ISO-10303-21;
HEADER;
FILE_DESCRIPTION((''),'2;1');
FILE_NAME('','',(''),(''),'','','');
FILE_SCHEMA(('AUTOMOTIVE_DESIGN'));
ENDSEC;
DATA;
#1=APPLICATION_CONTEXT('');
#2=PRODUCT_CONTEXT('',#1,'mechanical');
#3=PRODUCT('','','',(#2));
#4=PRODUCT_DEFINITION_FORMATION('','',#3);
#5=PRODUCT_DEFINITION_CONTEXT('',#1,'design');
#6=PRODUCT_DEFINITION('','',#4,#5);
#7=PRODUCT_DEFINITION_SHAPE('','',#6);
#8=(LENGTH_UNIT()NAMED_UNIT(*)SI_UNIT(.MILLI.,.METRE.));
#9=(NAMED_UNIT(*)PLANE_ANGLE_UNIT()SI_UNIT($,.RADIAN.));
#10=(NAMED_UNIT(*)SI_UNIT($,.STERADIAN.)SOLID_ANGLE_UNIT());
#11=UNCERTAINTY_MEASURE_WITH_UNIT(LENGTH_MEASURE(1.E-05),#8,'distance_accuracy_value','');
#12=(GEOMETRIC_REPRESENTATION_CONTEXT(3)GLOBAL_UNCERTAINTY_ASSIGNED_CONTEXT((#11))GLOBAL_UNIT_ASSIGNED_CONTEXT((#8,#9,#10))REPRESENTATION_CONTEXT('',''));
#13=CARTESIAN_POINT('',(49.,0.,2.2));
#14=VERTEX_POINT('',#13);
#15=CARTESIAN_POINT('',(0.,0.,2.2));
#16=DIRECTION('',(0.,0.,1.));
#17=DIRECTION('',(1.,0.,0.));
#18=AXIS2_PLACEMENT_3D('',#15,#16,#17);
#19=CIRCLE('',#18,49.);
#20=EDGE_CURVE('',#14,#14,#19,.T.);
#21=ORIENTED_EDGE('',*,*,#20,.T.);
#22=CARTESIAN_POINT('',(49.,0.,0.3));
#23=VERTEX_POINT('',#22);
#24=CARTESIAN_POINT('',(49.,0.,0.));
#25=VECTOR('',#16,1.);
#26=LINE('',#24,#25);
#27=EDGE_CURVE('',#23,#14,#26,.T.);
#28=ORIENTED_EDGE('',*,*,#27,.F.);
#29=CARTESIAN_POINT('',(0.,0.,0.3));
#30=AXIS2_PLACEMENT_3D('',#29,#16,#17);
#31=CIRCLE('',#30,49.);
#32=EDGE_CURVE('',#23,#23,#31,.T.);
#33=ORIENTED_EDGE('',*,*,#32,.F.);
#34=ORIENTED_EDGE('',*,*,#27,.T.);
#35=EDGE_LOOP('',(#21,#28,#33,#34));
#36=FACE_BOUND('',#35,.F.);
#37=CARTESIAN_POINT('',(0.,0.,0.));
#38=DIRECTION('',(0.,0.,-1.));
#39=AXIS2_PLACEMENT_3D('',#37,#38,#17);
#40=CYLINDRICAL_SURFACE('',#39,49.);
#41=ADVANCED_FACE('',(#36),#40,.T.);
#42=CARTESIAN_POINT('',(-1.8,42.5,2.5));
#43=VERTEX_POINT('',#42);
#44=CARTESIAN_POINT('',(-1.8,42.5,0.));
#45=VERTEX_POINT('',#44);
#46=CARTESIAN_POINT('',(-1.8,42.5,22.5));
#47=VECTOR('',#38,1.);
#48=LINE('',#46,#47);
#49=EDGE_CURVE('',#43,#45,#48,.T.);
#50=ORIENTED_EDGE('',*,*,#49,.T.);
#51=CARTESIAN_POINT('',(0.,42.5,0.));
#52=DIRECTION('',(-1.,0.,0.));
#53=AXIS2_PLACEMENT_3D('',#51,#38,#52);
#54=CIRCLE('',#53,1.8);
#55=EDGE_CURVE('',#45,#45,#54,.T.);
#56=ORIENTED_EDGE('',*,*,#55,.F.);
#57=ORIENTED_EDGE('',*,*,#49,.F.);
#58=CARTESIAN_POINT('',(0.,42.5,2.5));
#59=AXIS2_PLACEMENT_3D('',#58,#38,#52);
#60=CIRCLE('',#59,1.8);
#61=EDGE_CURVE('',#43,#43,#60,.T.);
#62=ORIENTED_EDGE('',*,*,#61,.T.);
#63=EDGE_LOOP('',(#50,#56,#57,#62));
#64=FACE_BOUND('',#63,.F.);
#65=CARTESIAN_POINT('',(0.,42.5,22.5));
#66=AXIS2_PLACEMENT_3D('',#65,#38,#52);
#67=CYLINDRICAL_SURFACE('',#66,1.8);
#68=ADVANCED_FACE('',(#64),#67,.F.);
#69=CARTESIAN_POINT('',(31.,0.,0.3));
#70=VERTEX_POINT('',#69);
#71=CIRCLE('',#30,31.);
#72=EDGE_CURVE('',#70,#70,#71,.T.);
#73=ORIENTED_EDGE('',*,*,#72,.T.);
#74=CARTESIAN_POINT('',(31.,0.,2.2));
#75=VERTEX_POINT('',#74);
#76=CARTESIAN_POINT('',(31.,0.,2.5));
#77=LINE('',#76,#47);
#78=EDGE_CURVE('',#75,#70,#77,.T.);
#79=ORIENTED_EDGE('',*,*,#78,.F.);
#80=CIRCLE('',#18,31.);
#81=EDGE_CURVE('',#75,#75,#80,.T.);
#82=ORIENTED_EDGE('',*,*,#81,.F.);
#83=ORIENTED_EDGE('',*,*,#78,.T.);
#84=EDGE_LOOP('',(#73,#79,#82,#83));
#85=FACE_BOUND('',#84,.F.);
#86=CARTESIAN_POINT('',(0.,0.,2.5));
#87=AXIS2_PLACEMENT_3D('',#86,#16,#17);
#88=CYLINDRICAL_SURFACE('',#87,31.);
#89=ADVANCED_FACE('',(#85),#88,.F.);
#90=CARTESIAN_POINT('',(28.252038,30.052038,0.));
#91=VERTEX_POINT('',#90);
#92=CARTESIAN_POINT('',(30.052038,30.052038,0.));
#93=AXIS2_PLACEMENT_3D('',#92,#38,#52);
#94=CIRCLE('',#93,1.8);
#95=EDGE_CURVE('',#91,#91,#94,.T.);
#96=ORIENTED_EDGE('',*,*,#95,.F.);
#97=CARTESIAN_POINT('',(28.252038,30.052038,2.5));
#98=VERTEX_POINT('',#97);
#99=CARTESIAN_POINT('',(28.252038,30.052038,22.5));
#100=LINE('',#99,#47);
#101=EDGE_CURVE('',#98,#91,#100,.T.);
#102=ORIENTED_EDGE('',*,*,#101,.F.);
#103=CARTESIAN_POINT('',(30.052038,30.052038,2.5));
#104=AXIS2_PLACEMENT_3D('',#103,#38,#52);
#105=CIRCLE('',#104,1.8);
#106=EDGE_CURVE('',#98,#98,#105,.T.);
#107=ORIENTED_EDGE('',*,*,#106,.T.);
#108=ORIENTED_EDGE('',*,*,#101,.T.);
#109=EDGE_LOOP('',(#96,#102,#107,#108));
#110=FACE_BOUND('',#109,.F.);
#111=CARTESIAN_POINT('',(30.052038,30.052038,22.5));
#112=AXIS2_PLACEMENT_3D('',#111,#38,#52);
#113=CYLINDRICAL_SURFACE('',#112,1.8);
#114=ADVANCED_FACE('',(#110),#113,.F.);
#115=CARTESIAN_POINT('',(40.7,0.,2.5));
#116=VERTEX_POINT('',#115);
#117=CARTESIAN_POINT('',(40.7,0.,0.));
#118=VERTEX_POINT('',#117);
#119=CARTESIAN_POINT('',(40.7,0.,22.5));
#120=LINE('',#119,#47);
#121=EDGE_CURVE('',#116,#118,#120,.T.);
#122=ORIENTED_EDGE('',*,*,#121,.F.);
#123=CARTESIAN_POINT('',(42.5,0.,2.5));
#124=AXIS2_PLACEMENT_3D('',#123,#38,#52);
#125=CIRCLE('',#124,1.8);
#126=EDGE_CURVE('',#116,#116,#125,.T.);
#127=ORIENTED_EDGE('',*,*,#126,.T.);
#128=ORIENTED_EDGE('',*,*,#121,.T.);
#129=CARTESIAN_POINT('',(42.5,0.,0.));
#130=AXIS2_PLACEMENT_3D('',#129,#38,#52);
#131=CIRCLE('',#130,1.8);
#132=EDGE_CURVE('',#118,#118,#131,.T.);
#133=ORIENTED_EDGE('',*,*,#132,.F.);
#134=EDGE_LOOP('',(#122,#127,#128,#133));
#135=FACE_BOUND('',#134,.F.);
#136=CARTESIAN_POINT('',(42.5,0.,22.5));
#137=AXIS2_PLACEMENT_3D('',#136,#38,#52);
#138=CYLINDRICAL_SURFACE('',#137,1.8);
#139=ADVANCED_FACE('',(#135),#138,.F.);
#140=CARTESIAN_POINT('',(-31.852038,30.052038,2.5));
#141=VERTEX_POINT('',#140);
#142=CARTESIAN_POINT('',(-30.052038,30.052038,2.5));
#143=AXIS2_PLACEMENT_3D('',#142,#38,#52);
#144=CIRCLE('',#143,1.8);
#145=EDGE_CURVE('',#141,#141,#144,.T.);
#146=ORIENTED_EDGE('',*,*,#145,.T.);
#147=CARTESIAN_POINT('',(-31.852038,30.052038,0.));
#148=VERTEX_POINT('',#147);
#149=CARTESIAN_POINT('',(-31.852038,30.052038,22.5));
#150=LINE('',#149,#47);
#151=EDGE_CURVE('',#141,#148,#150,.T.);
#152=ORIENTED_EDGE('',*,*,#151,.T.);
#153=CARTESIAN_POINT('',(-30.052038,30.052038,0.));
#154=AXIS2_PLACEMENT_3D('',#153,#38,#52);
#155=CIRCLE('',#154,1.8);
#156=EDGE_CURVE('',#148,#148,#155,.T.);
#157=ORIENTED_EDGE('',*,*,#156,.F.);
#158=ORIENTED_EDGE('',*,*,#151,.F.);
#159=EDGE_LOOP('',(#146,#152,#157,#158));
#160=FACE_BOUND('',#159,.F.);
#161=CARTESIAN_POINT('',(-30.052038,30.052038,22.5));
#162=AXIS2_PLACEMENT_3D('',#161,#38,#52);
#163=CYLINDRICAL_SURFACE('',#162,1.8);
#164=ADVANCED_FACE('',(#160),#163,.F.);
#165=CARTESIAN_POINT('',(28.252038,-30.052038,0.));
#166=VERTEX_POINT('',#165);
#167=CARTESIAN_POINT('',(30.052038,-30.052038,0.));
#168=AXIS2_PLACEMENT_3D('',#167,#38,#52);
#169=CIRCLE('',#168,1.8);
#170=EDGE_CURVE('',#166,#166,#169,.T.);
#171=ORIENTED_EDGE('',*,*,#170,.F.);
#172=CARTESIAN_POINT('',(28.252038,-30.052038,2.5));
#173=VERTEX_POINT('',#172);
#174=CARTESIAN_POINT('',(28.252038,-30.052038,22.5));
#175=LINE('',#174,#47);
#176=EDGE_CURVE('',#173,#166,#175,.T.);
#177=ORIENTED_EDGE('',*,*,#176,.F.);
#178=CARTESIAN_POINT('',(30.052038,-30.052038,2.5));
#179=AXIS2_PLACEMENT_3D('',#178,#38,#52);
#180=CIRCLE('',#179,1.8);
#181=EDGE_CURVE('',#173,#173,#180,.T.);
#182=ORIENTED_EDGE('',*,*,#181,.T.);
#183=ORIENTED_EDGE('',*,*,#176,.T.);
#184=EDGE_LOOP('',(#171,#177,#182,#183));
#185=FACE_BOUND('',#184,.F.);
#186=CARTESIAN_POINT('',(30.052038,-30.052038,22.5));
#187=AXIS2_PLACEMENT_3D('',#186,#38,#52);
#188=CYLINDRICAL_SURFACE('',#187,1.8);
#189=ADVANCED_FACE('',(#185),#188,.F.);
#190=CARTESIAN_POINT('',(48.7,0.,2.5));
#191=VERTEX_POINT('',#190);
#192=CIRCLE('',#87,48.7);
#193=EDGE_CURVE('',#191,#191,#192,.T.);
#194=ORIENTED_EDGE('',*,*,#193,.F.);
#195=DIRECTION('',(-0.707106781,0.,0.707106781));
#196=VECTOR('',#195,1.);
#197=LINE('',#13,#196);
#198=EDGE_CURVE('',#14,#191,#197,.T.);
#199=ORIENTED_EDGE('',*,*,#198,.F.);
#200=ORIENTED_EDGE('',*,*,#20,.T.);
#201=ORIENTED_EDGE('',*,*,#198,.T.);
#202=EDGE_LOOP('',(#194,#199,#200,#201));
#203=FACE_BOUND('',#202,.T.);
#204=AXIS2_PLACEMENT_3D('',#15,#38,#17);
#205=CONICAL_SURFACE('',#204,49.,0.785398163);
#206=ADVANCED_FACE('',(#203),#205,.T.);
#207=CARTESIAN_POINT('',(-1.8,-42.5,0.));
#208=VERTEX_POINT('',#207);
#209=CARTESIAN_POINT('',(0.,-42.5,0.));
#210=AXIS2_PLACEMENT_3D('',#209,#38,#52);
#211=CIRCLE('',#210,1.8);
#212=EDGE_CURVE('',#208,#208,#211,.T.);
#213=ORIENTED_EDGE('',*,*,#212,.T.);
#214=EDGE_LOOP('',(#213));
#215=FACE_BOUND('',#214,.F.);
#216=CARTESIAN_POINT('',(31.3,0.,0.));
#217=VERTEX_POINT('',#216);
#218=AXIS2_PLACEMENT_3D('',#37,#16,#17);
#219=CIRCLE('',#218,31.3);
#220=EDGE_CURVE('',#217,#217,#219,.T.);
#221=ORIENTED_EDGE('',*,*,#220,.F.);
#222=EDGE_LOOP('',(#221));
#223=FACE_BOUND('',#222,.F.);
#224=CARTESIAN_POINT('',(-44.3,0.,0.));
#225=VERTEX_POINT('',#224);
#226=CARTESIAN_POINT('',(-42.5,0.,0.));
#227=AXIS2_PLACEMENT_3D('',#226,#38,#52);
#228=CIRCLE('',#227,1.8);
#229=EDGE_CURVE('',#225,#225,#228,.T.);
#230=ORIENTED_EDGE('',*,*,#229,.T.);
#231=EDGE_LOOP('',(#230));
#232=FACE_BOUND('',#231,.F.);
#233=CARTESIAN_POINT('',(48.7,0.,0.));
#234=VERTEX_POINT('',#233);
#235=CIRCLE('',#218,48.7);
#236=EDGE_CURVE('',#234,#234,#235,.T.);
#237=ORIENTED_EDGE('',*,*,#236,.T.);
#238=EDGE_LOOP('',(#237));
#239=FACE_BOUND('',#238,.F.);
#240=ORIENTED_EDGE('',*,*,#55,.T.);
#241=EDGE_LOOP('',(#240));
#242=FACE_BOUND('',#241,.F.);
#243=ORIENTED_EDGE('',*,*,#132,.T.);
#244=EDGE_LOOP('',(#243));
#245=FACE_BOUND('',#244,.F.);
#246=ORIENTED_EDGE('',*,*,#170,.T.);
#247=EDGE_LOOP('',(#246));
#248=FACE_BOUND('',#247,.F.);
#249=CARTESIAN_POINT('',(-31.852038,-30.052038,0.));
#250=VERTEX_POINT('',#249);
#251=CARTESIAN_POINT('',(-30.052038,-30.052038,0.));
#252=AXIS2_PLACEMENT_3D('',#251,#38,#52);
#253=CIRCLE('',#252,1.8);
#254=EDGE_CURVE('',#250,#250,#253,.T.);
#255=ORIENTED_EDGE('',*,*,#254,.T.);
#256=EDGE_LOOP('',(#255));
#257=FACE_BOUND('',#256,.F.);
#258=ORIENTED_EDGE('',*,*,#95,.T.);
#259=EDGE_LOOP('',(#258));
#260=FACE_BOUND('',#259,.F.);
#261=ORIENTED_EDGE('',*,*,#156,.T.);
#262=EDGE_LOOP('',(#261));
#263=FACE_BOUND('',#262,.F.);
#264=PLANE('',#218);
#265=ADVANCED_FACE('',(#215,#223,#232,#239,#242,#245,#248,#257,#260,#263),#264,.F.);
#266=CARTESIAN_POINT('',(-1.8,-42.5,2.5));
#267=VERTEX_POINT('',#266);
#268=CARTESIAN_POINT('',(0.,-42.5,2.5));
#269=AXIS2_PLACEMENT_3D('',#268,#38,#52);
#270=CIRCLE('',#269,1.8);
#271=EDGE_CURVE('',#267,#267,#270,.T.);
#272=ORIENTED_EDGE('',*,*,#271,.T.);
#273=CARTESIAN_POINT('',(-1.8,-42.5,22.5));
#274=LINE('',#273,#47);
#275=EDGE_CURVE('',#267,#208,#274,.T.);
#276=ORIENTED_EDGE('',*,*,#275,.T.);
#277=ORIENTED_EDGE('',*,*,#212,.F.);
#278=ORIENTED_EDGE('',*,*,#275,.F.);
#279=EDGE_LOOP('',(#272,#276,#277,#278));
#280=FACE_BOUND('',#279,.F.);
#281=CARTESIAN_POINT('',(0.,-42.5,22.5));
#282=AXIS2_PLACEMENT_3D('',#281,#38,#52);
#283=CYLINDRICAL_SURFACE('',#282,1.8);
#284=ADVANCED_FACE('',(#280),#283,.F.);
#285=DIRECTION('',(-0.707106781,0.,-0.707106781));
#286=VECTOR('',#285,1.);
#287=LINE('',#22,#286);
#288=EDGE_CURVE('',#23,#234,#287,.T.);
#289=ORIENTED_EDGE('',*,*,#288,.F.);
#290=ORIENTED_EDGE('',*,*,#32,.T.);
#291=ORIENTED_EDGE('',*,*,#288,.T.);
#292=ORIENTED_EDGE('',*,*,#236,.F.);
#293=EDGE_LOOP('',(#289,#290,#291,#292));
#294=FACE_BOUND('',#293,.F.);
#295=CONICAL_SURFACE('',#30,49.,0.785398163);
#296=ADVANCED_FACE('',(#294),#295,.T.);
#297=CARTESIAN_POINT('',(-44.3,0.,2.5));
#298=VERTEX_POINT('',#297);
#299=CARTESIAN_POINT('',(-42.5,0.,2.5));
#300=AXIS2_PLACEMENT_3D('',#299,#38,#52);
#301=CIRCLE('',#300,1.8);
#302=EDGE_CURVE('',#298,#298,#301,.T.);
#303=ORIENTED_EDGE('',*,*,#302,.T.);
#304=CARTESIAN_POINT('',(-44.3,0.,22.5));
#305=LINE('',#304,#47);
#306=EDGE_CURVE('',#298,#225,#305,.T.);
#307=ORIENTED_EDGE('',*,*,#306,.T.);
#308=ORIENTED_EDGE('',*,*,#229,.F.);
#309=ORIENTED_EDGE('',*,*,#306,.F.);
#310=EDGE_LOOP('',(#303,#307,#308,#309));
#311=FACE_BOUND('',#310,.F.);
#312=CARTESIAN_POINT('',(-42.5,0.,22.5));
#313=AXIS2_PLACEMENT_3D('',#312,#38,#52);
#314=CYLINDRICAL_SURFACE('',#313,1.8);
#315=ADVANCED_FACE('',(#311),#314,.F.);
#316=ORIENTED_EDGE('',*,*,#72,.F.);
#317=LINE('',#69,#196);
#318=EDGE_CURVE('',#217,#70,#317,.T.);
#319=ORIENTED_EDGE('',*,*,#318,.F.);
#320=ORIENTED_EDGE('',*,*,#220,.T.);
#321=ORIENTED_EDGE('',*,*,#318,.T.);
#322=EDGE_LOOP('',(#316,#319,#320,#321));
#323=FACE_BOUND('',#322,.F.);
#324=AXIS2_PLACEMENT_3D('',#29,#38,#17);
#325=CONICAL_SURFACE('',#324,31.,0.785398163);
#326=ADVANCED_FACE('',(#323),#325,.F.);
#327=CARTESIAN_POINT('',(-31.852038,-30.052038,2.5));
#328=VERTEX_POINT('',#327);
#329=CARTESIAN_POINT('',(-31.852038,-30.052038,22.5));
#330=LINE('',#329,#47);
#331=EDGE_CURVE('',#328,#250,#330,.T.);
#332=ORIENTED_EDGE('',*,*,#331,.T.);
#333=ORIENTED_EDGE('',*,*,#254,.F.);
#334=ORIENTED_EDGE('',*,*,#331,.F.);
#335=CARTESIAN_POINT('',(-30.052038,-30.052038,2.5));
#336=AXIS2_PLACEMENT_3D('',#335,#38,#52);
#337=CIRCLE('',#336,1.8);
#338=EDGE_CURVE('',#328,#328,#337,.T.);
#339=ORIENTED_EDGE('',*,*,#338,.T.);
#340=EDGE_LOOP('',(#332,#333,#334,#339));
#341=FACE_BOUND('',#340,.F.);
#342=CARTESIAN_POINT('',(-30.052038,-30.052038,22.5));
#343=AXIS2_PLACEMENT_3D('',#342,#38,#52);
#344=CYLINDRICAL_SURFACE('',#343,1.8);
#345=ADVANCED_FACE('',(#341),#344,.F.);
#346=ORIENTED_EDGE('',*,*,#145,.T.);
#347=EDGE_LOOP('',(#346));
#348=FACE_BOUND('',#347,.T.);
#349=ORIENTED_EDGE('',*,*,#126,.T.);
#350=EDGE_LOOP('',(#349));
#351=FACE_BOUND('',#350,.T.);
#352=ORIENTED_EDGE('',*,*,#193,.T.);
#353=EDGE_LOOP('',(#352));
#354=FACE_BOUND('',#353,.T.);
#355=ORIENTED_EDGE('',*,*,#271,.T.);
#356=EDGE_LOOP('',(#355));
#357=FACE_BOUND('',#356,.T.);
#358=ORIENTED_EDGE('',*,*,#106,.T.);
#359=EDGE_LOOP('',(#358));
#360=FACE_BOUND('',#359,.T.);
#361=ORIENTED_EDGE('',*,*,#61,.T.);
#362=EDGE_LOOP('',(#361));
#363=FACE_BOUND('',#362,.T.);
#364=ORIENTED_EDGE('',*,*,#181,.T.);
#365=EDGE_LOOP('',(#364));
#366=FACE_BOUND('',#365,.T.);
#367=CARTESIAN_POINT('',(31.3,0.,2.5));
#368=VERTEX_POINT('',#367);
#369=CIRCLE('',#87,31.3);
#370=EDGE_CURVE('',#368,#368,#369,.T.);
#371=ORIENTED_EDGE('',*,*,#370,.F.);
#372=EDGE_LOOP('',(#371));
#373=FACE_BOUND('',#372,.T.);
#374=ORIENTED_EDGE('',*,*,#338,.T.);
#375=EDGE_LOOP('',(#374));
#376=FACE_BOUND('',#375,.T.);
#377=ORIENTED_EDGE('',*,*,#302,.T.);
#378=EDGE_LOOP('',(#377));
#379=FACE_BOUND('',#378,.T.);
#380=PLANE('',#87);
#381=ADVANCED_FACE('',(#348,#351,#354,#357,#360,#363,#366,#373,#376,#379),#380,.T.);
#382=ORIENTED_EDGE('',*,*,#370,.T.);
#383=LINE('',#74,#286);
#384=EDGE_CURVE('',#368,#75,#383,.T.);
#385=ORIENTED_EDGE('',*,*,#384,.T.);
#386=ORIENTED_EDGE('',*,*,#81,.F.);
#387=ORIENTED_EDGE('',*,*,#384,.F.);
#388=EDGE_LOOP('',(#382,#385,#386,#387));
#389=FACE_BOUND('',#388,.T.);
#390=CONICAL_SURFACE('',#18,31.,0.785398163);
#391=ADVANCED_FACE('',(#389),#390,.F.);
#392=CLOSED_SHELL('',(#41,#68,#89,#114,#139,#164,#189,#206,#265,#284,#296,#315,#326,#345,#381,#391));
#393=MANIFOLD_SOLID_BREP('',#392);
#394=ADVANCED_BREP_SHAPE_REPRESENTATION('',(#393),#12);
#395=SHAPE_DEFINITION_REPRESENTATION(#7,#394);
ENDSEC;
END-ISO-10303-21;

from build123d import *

# Parameters (mm, degrees)
SKETCH1_R                = 49
BOSS_EXTRUDE1_DEPTH      = 2.5
M3_CLEARANCE_HOLE1_D     = 3.6
M3_CLEARANCE_HOLE1_DEPTH = 20
M3_CLEARANCE_HOLE1_TIP   = 1.081549114
SKETCH4_R                = 31
CUT_EXTRUDE1_DEPTH       = 70.341545988
CHAMFER1_SIZE            = 0.3


with BuildPart() as part:
    # Sketch1 → Boss-Extrude1 (new body)
    with BuildSketch(Plane.XY):
        Circle(SKETCH1_R)
    extrude(amount=BOSS_EXTRUDE1_DEPTH)

    # M3 Clearance Hole1
    with Locations(Plane.XY.offset(2.5)):
        with Locations((-30.0520382, 30.0520382), (0, 42.5), (30.0520382, 30.0520382), (42.5, 0), (30.0520382, -30.0520382), (0, -42.5), (-30.0520382, -30.0520382), (-42.5, 0)):
            Hole(M3_CLEARANCE_HOLE1_D / 2, depth=M3_CLEARANCE_HOLE1_DEPTH)
            with Locations((0, 0, -(M3_CLEARANCE_HOLE1_DEPTH + M3_CLEARANCE_HOLE1_TIP / 2))):  # 118° drill point
                Cone(0, M3_CLEARANCE_HOLE1_D / 2, M3_CLEARANCE_HOLE1_TIP, mode=Mode.SUBTRACT)

    # Sketch4 → Cut-Extrude1 (cut, through all)
    with BuildSketch(Plane.XY.offset(2.5)):
        Circle(SKETCH4_R)
    extrude(amount=-CUT_EXTRUDE1_DEPTH, mode=Mode.SUBTRACT)

    # Chamfer1
    chamfer1_edges = [part.edges().sort_by_distance(p)[0] for p in [
        (-49, 0, 0),
        (-49, 0, 2.5),
        (-31, 0, 0),
        (-31, 0, 2.5),
    ]]
    chamfer(chamfer1_edges, length=CHAMFER1_SIZE)


solid = part.part
